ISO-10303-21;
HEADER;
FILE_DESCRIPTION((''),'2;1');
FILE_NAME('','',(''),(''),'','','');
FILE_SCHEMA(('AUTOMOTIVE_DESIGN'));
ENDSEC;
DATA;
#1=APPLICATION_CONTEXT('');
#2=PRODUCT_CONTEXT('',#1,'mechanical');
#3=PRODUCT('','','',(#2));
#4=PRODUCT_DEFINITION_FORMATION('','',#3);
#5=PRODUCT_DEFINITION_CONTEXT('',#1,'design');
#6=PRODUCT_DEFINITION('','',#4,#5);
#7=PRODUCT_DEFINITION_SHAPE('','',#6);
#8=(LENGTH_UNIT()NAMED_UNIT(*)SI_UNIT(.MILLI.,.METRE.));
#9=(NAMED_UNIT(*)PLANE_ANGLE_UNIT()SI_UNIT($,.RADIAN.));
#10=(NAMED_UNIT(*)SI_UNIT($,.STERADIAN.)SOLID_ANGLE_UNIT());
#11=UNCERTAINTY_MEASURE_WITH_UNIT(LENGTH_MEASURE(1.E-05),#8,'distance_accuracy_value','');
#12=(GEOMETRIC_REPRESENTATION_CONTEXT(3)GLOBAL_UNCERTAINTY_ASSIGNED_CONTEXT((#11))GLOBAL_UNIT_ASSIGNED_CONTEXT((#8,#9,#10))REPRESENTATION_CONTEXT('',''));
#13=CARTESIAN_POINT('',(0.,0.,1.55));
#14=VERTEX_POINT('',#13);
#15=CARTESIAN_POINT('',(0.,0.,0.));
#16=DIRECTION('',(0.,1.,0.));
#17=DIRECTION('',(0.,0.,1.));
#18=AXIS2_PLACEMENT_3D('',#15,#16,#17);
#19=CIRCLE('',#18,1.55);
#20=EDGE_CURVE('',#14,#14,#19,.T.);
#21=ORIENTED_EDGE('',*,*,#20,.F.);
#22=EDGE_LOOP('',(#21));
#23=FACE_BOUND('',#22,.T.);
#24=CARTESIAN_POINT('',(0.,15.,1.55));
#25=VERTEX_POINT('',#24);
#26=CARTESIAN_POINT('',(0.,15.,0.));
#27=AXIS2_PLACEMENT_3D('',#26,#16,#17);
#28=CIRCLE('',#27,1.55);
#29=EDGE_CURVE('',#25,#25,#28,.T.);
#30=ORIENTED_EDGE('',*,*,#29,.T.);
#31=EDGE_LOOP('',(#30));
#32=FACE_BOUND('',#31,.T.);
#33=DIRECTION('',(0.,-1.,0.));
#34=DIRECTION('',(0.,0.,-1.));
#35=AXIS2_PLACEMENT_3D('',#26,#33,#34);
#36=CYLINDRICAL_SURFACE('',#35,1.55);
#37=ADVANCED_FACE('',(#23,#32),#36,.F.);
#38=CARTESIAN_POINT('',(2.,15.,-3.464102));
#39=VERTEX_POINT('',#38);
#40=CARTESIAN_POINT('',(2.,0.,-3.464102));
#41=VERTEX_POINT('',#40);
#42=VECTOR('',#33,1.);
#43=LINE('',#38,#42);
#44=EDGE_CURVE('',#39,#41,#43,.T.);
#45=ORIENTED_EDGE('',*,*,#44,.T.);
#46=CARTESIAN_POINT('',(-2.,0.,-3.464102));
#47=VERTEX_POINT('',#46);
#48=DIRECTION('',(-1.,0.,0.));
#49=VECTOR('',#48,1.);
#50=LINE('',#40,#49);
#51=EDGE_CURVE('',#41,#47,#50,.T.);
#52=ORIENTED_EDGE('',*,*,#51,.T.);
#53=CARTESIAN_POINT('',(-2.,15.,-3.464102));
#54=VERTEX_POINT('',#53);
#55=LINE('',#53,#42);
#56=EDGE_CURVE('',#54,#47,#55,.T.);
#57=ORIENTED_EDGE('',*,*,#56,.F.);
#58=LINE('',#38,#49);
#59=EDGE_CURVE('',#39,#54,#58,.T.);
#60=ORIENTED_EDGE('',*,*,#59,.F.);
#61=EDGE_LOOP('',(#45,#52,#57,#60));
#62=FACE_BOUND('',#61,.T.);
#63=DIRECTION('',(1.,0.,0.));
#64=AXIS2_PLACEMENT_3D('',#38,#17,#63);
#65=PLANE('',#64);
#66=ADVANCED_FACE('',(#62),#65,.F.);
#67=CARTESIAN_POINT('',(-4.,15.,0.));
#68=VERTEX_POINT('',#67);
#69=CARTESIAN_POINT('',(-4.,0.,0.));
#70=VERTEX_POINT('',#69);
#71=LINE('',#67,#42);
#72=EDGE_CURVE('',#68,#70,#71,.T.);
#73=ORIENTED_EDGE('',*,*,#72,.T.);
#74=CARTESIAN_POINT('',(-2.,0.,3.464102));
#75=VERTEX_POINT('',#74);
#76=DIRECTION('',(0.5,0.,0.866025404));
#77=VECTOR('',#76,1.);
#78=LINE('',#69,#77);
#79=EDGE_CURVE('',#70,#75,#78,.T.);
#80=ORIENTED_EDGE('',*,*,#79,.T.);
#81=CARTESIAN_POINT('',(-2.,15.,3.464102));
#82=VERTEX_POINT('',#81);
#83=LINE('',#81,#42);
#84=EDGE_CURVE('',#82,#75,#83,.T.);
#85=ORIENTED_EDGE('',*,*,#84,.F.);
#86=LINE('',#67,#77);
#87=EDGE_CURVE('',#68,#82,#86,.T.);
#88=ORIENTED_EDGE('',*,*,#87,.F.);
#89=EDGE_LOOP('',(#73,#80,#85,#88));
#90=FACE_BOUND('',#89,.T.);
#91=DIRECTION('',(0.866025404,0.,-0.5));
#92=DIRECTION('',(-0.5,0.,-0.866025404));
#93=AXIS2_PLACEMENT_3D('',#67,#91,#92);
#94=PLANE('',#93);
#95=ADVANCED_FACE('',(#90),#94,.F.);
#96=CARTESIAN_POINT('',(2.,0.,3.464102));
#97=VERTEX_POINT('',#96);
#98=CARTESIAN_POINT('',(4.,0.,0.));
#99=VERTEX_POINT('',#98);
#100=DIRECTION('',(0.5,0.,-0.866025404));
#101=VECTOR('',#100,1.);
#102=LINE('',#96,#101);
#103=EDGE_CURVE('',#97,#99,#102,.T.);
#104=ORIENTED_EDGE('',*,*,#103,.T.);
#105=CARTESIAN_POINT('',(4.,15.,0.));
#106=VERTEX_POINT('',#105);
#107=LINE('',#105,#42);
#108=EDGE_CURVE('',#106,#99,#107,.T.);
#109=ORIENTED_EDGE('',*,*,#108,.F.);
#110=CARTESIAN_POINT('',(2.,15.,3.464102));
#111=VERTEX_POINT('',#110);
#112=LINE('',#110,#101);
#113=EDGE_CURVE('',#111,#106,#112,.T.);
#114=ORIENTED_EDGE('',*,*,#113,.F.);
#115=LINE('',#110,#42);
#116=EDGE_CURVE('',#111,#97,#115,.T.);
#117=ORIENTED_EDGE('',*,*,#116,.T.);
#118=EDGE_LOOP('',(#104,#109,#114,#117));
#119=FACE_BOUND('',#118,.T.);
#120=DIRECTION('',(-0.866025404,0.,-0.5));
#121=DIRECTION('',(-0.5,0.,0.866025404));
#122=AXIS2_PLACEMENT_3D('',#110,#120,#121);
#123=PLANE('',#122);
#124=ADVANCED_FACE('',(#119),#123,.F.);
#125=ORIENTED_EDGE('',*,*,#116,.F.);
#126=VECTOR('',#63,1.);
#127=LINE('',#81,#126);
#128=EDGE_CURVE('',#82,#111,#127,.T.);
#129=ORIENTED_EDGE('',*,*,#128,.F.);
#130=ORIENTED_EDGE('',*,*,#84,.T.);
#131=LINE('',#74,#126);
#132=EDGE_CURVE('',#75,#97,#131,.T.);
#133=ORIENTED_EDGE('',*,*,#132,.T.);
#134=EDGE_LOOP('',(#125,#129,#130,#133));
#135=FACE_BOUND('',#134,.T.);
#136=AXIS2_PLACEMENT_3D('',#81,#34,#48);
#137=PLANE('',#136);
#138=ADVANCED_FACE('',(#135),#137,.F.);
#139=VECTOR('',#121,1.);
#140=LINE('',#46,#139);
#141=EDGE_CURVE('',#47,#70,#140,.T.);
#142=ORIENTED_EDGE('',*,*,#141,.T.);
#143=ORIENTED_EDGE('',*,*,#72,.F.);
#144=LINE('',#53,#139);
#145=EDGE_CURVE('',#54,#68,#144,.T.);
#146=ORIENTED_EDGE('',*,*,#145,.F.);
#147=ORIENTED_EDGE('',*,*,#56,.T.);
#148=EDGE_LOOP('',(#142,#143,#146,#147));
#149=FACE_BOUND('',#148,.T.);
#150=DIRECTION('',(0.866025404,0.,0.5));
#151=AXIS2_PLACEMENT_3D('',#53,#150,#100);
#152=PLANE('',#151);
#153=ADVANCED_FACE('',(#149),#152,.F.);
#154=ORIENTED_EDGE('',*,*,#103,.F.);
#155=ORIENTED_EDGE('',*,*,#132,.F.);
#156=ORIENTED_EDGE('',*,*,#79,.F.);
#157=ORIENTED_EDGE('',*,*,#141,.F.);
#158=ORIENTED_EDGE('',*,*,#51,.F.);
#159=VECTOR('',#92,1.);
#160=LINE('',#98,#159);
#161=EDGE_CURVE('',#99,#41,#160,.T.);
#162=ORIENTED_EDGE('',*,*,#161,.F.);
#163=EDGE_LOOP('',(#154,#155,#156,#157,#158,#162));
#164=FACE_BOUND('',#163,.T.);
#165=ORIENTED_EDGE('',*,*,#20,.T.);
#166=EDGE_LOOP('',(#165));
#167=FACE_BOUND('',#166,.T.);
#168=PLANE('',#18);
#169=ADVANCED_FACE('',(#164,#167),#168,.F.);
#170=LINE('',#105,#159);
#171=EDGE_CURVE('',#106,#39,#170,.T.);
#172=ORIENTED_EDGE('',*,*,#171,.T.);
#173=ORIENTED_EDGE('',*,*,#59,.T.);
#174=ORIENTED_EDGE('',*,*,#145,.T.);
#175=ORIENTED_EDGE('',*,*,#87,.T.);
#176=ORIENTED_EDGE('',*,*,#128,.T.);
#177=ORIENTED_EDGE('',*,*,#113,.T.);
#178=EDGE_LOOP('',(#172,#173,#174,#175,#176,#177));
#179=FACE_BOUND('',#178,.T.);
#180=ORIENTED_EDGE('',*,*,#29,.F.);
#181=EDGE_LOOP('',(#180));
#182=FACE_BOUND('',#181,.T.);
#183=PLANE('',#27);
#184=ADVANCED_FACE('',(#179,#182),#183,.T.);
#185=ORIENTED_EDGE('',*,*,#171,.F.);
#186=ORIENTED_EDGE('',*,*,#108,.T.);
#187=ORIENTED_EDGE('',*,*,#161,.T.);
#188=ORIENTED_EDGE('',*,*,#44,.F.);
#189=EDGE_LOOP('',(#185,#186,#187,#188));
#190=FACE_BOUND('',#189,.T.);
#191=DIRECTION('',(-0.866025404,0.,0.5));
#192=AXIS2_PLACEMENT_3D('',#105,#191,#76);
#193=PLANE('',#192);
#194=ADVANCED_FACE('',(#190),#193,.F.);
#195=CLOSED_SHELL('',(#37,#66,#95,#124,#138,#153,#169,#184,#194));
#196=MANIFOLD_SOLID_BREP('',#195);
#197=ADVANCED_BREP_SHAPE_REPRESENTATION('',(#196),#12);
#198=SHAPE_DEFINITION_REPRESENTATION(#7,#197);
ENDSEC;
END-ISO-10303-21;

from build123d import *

# Parameters (mm, degrees)
SKETCH_1_R      = 1.55
EXTRUDE_1_DEPTH = 15


with BuildPart() as part:
    # 草圖1 → 填料-伸長1 (new body)
    with BuildSketch(Plane(origin=(0, 0, 0), x_dir=(1, 0, 0), z_dir=(0, 1, 0))):
        Polygon((2, 3.464101615), (-2, 3.464101615), (-4, 0), (-2, -3.464101615), (2, -3.464101615), (4, 0), align=None)
        with Locations(Location((0, 0, 0), (0, 0, 270))):
            Circle(SKETCH_1_R, mode=Mode.SUBTRACT)
    extrude(amount=EXTRUDE_1_DEPTH)


solid = part.part
